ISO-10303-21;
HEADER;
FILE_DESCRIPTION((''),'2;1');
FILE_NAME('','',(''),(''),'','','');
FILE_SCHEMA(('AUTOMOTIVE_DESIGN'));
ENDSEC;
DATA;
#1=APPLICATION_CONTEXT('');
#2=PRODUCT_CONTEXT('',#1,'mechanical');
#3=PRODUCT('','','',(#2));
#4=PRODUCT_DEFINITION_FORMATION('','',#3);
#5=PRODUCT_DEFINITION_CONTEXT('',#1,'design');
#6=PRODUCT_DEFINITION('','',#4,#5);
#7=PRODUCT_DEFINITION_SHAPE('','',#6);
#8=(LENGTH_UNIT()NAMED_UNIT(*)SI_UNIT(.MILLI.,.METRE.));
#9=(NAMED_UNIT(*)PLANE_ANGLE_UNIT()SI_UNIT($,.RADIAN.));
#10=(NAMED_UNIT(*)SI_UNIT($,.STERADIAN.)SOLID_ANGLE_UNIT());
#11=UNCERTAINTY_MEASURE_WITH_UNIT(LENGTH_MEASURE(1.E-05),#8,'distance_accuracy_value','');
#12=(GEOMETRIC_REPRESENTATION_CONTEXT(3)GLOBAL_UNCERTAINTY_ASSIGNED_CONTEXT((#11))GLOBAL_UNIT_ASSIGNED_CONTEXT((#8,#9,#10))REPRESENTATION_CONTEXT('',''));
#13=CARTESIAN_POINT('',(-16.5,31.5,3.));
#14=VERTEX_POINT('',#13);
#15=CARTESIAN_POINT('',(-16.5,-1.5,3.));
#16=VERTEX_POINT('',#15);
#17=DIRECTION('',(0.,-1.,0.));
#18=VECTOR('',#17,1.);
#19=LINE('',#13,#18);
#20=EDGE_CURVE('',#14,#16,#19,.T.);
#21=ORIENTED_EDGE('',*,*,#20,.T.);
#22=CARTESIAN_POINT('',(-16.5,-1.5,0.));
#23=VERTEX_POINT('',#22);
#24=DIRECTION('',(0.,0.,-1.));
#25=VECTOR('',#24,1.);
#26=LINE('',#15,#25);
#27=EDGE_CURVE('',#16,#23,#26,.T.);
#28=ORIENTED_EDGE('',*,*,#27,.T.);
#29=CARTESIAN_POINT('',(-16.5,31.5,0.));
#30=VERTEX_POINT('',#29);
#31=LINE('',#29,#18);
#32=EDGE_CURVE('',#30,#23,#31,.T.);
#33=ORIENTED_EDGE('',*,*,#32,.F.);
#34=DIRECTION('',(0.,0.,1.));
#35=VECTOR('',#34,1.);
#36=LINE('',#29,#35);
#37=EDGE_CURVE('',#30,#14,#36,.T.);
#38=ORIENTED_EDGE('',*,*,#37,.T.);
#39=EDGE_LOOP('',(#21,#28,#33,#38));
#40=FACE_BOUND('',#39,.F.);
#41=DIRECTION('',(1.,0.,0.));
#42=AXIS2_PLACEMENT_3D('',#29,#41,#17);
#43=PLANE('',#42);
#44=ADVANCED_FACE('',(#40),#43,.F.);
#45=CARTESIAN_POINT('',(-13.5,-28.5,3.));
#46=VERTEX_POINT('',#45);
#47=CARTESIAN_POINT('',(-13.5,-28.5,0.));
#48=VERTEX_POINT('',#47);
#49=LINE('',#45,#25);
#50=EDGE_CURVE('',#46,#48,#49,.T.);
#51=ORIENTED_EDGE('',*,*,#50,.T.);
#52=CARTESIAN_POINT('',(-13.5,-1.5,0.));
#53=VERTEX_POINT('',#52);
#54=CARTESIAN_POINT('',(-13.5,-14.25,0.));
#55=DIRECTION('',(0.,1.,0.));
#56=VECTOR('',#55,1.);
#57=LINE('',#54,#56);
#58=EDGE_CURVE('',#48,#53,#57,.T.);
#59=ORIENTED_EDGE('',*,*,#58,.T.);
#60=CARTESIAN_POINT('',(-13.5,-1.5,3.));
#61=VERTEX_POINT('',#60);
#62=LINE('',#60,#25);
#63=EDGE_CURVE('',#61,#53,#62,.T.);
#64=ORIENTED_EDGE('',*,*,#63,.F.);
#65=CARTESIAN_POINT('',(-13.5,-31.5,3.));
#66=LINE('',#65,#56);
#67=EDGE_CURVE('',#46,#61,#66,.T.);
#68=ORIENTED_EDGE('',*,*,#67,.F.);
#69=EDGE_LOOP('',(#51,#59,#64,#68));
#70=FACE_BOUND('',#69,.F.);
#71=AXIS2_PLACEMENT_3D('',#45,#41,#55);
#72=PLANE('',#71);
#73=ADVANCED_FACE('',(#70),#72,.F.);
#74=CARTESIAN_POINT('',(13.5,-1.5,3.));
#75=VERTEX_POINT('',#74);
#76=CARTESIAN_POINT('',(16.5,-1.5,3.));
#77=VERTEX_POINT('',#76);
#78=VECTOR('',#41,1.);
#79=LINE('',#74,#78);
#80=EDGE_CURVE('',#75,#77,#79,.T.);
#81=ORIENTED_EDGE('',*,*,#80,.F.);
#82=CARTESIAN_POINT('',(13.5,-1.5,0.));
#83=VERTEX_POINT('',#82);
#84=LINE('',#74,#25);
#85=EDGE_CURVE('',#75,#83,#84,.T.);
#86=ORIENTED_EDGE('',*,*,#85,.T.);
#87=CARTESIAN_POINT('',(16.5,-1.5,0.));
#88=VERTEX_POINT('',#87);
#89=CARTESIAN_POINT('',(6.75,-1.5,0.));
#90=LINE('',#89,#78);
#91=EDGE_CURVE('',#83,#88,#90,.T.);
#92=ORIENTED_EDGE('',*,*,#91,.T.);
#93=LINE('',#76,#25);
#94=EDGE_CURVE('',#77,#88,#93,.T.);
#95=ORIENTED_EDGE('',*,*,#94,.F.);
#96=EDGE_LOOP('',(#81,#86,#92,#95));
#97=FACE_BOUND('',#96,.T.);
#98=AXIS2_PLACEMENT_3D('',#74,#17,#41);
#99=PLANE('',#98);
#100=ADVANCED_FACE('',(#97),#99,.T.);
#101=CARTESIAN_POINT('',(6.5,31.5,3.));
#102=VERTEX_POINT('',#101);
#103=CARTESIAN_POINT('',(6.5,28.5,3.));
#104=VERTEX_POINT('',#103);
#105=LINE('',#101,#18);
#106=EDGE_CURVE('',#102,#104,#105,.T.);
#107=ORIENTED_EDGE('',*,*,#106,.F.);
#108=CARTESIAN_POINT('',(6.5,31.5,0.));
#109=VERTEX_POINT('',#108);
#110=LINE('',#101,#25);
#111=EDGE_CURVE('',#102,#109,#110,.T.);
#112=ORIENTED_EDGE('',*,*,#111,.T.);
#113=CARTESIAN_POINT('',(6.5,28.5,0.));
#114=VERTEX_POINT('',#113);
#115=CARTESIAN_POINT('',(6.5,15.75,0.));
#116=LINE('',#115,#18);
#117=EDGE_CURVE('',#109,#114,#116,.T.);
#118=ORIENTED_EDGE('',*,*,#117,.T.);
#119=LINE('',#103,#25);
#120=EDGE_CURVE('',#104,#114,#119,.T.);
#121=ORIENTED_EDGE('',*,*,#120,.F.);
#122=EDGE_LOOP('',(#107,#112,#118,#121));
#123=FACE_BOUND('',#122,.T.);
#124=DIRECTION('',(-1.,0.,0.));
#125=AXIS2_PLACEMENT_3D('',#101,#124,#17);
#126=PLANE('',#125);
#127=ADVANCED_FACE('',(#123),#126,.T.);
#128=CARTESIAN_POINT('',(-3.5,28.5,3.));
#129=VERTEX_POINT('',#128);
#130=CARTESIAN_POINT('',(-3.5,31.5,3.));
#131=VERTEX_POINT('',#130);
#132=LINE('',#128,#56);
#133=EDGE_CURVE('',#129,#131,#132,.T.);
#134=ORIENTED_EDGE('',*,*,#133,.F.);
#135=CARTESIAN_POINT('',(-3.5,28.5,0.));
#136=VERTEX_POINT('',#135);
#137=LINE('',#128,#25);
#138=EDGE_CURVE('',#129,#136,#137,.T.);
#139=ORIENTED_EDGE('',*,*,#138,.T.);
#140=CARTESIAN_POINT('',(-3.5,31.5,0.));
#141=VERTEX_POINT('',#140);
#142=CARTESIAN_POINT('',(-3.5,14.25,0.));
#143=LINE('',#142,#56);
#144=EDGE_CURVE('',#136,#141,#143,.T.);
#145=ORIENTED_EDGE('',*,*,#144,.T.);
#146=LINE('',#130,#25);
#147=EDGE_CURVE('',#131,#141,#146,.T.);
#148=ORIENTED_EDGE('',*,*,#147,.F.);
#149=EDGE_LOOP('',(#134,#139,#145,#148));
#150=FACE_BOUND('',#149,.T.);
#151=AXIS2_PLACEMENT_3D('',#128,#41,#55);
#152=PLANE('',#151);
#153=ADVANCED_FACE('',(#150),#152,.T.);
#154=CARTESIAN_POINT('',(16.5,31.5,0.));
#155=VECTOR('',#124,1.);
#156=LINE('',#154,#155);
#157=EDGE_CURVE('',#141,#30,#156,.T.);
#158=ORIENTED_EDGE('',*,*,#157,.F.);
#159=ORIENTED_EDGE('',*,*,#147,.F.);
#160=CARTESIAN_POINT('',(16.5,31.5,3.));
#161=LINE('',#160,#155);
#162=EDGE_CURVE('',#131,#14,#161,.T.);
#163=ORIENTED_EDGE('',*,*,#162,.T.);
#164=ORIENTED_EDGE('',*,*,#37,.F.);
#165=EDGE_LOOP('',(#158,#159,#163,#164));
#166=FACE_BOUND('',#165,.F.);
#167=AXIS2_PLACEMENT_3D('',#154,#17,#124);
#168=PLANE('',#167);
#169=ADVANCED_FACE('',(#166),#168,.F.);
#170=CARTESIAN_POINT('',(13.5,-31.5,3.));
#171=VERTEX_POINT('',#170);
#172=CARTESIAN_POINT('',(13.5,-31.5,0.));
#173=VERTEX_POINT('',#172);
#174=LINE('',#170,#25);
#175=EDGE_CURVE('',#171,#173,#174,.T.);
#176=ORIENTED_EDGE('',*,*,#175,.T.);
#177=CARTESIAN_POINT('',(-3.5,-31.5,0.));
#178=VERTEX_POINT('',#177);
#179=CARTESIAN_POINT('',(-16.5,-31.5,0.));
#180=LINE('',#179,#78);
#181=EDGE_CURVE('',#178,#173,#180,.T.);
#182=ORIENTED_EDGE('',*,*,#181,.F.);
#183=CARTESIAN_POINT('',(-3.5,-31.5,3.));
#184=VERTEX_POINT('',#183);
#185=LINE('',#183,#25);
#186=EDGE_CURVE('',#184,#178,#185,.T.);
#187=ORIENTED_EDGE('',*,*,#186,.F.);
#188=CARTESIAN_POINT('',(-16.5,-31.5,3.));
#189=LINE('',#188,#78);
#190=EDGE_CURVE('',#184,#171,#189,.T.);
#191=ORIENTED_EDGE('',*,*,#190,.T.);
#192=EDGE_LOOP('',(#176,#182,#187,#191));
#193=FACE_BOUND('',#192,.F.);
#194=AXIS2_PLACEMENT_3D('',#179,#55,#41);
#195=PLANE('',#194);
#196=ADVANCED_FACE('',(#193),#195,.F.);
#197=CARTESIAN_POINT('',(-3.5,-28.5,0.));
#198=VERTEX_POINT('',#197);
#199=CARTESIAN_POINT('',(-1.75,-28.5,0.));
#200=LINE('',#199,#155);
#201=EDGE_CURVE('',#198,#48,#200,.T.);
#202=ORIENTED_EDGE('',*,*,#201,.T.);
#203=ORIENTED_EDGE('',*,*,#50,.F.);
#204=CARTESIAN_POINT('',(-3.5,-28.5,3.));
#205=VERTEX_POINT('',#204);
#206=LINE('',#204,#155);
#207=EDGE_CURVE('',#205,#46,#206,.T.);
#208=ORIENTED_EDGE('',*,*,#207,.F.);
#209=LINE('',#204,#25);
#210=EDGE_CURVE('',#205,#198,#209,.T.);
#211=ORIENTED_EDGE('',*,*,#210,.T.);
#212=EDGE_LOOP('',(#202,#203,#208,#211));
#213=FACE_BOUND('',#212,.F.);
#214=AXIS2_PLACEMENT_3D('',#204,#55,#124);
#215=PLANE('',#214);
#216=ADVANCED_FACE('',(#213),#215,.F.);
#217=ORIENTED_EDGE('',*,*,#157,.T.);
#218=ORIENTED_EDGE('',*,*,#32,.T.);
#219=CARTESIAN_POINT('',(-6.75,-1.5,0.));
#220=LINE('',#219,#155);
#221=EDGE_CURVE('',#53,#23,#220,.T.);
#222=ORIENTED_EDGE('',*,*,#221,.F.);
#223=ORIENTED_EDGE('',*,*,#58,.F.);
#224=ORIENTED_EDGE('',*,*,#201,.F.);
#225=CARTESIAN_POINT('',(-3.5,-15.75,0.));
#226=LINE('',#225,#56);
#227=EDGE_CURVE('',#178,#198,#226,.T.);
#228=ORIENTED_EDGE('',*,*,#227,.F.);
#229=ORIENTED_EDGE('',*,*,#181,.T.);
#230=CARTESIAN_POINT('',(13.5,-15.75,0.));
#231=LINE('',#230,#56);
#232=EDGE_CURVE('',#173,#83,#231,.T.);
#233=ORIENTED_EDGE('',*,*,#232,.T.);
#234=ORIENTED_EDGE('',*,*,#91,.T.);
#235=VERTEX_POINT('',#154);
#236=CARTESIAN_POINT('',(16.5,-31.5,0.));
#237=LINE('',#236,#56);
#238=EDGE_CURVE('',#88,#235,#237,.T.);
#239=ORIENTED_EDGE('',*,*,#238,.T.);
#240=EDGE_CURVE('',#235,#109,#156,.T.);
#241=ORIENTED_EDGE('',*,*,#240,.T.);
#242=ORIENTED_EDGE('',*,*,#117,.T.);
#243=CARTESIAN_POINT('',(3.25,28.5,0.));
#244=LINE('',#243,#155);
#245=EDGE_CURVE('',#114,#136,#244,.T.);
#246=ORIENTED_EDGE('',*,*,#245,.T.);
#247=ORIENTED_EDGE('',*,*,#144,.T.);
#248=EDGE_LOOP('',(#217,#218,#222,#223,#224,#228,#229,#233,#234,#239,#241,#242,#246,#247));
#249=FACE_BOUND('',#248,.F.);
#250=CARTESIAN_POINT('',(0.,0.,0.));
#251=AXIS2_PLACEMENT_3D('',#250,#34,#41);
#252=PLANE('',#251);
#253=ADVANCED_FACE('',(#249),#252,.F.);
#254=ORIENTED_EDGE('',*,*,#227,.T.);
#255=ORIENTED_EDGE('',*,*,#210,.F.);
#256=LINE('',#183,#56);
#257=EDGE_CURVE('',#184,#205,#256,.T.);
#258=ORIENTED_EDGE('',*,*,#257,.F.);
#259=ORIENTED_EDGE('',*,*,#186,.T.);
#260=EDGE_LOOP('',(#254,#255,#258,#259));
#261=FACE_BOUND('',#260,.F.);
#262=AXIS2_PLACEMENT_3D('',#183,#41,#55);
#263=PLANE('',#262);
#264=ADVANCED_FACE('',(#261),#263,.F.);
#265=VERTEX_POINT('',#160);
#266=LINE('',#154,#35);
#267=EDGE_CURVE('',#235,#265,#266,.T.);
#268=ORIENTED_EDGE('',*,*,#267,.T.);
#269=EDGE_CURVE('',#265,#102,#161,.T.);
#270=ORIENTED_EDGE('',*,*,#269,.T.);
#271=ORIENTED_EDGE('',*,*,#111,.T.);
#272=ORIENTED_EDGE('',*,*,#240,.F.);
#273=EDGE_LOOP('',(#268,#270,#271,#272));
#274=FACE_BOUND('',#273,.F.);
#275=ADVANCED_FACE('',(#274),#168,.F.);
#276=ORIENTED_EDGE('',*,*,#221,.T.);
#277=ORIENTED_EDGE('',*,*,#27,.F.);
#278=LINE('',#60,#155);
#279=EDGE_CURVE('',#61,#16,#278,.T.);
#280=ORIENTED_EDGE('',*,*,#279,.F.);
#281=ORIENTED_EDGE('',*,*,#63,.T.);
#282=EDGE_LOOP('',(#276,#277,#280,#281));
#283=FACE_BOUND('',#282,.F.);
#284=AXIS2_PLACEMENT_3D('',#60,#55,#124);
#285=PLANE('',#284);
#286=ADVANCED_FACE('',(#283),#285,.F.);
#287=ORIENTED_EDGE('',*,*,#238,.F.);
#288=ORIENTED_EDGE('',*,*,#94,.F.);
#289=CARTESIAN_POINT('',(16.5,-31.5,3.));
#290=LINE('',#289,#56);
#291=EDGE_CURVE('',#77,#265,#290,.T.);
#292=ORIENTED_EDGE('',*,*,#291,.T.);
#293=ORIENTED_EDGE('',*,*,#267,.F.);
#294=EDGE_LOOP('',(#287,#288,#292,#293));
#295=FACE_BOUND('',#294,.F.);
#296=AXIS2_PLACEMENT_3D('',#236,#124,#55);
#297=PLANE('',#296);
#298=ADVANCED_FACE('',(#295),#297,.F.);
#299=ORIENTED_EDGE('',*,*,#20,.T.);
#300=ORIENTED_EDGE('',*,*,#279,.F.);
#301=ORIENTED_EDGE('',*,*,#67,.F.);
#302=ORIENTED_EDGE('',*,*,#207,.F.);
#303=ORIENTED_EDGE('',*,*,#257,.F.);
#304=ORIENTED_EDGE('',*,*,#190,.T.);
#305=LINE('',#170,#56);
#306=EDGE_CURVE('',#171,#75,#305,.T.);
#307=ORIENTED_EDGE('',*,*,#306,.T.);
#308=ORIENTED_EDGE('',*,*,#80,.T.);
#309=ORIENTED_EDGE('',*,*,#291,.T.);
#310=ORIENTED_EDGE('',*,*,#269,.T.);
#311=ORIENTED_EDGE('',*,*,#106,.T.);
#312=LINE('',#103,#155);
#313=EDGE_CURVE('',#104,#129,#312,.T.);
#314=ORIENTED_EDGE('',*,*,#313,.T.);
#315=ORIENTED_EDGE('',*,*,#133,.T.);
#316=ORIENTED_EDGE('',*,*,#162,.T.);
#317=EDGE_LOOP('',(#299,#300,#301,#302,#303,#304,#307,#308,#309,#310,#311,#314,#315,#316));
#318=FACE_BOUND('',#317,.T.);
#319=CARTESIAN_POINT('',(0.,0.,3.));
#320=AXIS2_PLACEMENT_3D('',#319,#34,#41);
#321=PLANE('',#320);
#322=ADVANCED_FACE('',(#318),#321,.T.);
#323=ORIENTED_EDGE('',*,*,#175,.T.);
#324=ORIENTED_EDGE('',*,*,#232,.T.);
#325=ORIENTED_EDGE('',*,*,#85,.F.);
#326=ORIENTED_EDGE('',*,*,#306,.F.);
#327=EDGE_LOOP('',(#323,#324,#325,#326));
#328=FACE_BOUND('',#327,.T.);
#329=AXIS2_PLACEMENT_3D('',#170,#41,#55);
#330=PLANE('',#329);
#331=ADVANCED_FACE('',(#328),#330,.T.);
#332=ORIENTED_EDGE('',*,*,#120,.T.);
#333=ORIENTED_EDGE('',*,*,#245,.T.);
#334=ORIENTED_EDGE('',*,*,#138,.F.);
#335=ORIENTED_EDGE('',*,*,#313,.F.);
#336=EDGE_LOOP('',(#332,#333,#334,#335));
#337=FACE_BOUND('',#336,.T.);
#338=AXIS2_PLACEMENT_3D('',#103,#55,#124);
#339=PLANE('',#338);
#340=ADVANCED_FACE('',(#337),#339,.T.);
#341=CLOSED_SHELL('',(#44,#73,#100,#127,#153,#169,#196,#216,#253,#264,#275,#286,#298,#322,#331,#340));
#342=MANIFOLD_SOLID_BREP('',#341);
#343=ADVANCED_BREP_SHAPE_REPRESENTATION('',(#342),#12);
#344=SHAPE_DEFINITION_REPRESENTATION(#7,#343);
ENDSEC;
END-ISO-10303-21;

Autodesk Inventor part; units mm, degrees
ref_plane "YZ Plane" through (0, 0, 0) normal (1, 0, 0) x (0, 1, 0)
ref_plane "XZ Plane" through (0, 0, 0) normal (0, 1, 0) x (-1, 0, 0)
ref_plane "XY Plane" through (0, 0, 0) normal (0, 0, 1) x (1, 0, 0)
sketch "Sketch1" plane through (0, 0, 0) normal (0, 0, 1) x (1, 0, 0)
  line L0 (-16.5, -31.5) -> (16.5, -31.5)
  line L1 (16.5, -31.5) -> (16.5, 31.5)
  line L2 (16.5, 31.5) -> (-16.5, 31.5)
  line L3 (-16.5, 31.5) -> (-16.5, -31.5)
  line L4 (-16.5, -31.5) -> (16.5, 31.5) construction
  line L5 (16.5, -31.5) -> (-16.5, 31.5) construction
  point P0 (0, 0)
  dimension "d0" = 33
  dimension "d1" = 63
extrude "Extrusion1" add sketch "Sketch1" along normal blind 3
sketch "Sketch2" plane through (0, 0, 3) normal (0, 0, 1) x (1, 0, 0)
  line L0 (-16.5, 31.5) -> (-16.5, -31.5) projected
  line L1 (-16.5, -31.5) -> (-13.5, -31.5)
  line L2 (-13.5, -31.5) -> (-13.5, -1.5)
  line L3 (-13.5, -1.5) -> (-16.5, -1.5)
  line L4 (-16.5, -1.5) -> (-16.5, -31.5)
  line L5 (-16.5, -31.5) -> (16.5, -31.5) projected
  line L6 (16.5, -31.5) -> (13.5, -31.5)
  line L7 (13.5, -31.5) -> (13.5, -1.5)
  line L8 (13.5, -1.5) -> (16.5, -1.5)
  line L9 (16.5, -1.5) -> (16.5, -31.5)
  line L10 (-13.5, -31.5) -> (-3.5, -31.5)
  line L11 (-3.5, -31.5) -> (-3.5, -28.5)
  line L12 (-3.5, -28.5) -> (-13.5, -28.5)
  line L13 (-13.5, -28.5) -> (-13.5, -31.5)
  line L14 (-3.5, 31.5) -> (6.5, 31.5)
  line L15 (6.5, 31.5) -> (6.5, 28.5)
  line L16 (6.5, 28.5) -> (-3.5, 28.5)
  line L17 (-3.5, 28.5) -> (-3.5, 31.5)
  line L18 (16.5, -31.5) -> (16.5, 31.5) projected
  point P0 (0, 0)
  dimension "d4" = 3
  dimension "d5" = 30
  dimension "d6" = 3
  dimension "d7" = 30
  dimension "d8" = 3
  dimension "d9" = 17
  dimension "d10" = 10
  dimension "d11" = 3
  dimension "d12" = 10
extrude "Extrusion2" cut sketch "Sketch2" against normal through all
properties part number "fromt_right"
